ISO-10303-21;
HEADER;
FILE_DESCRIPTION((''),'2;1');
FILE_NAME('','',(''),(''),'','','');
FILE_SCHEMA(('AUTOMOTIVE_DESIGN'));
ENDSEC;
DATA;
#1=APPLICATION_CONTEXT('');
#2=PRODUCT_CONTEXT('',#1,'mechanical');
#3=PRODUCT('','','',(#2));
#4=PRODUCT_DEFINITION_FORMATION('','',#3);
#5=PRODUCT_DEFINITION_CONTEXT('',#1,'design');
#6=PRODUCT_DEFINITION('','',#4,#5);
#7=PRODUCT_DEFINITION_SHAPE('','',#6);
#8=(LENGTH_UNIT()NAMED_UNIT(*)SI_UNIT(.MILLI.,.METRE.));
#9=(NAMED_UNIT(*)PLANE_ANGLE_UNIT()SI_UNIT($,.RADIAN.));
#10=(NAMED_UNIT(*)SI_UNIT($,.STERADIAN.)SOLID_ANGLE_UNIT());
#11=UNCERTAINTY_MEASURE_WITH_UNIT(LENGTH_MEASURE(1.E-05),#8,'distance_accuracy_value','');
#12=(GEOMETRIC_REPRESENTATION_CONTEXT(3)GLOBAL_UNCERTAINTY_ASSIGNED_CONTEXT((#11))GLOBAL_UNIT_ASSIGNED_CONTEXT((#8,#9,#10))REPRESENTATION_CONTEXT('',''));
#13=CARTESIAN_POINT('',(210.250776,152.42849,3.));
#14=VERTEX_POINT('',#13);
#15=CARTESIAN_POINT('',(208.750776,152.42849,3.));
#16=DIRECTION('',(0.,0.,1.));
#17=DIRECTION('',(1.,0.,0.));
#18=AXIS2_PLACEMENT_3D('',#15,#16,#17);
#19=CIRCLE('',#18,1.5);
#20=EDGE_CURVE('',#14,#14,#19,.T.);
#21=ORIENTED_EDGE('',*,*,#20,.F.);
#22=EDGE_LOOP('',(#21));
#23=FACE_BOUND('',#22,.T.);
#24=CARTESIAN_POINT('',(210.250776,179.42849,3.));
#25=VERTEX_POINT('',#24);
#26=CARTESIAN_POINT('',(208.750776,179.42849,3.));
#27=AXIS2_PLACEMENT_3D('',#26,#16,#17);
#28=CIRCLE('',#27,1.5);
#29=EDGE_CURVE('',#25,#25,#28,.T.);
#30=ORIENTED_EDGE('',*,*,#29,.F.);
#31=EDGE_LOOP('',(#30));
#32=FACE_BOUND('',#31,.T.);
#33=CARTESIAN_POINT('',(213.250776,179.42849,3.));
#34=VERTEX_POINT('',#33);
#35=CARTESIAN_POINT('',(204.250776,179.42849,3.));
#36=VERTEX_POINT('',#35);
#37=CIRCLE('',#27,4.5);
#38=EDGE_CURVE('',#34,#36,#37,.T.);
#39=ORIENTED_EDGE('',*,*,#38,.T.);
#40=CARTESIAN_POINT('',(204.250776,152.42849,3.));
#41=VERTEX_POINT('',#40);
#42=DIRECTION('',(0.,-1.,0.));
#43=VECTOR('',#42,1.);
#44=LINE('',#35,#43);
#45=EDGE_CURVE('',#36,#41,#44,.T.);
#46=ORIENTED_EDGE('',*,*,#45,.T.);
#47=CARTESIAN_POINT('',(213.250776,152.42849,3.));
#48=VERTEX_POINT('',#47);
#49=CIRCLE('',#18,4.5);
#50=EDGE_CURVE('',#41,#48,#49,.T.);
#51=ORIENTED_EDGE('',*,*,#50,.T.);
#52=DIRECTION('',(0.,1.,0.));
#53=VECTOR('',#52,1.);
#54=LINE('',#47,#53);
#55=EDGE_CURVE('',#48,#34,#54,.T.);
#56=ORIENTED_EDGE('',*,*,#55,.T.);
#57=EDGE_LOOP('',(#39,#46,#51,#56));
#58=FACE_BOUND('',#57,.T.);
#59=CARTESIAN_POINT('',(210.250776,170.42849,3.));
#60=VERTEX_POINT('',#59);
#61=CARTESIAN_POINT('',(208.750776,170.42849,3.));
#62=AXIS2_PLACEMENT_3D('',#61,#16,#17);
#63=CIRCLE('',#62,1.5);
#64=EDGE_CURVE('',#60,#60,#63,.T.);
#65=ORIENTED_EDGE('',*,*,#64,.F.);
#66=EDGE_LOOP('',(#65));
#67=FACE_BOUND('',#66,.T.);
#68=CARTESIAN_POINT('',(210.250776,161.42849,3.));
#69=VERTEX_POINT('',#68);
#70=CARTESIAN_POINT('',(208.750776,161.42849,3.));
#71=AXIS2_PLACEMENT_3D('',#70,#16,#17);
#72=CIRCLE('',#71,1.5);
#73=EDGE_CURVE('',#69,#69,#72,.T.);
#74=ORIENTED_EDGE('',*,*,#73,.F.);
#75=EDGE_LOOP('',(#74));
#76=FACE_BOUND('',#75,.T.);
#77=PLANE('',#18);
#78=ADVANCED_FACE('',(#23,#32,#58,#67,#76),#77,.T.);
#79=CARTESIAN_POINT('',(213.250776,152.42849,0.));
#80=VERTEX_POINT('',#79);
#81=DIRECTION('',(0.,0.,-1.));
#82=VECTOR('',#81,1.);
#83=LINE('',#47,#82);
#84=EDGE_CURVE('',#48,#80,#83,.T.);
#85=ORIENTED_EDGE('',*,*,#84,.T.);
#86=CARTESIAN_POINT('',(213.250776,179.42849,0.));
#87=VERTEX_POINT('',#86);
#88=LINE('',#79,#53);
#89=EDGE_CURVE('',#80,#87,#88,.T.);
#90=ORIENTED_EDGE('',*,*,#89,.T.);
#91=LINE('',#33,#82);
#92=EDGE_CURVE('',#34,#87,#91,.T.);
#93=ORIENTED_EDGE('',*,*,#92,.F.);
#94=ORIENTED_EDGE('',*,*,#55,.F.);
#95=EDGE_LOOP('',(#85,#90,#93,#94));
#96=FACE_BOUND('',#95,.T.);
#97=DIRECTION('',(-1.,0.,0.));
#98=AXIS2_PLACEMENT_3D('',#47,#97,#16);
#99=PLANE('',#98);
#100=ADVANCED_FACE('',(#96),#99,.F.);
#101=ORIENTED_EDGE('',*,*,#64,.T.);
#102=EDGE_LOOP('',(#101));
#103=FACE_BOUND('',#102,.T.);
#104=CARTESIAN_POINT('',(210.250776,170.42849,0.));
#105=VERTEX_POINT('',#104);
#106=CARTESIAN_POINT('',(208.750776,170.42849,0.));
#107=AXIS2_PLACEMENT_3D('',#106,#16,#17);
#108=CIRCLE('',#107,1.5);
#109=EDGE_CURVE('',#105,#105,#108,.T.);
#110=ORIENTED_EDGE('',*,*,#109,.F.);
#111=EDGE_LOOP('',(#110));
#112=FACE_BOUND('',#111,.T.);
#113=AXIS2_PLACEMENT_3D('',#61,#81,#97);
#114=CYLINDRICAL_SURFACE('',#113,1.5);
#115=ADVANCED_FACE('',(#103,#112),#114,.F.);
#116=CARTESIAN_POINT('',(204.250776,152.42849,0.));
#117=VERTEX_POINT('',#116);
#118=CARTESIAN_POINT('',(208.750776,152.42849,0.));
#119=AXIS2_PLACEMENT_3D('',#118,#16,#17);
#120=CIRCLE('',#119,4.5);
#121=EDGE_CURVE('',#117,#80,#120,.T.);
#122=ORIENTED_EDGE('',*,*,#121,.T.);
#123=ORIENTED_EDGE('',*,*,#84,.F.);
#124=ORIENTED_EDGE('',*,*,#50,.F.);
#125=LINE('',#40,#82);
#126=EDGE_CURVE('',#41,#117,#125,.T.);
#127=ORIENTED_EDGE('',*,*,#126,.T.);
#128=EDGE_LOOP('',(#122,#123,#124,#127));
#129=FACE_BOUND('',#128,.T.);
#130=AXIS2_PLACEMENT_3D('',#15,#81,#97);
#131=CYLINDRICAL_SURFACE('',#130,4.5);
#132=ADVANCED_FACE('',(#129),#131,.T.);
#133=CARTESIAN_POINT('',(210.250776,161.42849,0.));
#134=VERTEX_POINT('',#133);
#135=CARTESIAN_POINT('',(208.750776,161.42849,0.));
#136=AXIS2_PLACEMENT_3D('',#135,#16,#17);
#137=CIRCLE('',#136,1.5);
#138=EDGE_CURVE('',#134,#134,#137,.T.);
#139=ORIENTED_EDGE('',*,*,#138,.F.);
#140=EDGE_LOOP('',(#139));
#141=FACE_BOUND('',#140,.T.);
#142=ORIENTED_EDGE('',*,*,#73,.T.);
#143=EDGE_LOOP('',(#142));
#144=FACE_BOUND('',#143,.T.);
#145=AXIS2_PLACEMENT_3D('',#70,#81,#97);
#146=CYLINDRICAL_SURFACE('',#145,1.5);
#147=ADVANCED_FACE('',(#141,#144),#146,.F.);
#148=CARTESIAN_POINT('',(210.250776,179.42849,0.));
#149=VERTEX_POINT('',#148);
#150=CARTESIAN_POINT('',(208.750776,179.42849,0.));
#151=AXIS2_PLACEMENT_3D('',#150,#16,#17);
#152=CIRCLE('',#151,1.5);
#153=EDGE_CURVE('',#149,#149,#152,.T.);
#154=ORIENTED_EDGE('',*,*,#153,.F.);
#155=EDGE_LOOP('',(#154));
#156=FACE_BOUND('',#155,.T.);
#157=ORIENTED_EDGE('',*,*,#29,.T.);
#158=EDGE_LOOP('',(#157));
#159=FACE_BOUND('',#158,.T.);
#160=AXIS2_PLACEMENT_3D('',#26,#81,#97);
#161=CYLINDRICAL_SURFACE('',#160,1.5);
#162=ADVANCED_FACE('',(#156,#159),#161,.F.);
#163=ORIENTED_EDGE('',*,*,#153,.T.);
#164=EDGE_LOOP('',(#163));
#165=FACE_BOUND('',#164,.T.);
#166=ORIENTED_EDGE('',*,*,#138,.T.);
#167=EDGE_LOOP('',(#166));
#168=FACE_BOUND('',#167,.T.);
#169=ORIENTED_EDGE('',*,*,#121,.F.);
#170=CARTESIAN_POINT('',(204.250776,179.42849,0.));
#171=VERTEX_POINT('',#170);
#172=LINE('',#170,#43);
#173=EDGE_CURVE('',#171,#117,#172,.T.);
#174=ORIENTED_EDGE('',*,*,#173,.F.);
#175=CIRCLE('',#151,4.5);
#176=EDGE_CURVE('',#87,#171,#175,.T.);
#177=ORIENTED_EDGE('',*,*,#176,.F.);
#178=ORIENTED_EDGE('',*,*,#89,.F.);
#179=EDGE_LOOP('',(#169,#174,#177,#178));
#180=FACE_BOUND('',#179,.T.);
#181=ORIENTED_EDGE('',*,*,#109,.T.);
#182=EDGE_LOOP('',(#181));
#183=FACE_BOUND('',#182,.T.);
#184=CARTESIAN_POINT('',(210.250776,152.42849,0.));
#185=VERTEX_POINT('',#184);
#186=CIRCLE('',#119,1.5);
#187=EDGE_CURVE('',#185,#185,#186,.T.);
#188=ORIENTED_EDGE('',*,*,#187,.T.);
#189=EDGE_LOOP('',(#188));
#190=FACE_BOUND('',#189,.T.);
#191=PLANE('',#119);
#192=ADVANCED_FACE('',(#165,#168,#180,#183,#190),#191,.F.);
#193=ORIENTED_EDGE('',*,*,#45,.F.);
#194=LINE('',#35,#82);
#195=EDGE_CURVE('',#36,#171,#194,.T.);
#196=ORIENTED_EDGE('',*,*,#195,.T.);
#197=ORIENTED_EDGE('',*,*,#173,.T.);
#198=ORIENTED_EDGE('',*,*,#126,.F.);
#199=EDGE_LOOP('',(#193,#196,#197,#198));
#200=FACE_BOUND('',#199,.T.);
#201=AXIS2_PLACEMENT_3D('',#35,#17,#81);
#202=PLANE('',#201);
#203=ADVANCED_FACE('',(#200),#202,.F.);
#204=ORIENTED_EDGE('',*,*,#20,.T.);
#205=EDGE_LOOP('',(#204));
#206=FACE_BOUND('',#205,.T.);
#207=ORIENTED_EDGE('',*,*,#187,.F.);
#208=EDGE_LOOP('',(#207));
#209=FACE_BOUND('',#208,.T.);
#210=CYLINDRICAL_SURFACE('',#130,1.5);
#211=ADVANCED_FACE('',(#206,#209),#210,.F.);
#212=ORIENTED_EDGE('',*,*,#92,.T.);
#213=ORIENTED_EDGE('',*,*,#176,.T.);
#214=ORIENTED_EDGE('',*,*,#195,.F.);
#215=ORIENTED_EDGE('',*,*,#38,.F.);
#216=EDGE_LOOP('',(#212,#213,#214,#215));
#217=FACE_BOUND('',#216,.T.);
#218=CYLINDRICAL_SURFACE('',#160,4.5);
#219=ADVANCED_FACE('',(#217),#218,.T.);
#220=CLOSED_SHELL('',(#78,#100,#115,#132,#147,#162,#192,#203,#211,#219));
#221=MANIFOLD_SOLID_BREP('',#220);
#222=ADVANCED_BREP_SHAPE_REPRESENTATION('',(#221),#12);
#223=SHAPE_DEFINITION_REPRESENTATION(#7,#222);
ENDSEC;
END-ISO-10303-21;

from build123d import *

# Parameters (mm, degrees)
MODEL_R                 = 1.5
SALIENTE_EXTRUIR1_DEPTH = 3


with BuildPart() as part:
    # Model → Saliente-Extruir1 (new body)
    with BuildSketch(Plane.XY):
        with BuildLine():
            Line((213.25077615, 152.428489513), (213.25077615, 179.428489513))
            ThreePointArc((213.25077615, 179.428489513), (208.75077615, 183.928489513), (204.25077615, 179.428489513))
            Line((204.25077615, 179.428489513), (204.25077615, 152.428489513))
            ThreePointArc((204.25077615, 152.428489513), (208.75077615, 147.928489513), (213.25077615, 152.428489513))
        make_face()
        with Locations((208.75077615, 152.428489513)):
            Circle(MODEL_R, mode=Mode.SUBTRACT)
        with Locations((208.75077615, 161.428489513)):
            Circle(MODEL_R, mode=Mode.SUBTRACT)
        with Locations((208.75077615, 170.428489513)):
            Circle(MODEL_R, mode=Mode.SUBTRACT)
        with Locations((208.75077615, 179.428489513)):
            Circle(MODEL_R, mode=Mode.SUBTRACT)
    extrude(amount=SALIENTE_EXTRUIR1_DEPTH)


solid = part.part
